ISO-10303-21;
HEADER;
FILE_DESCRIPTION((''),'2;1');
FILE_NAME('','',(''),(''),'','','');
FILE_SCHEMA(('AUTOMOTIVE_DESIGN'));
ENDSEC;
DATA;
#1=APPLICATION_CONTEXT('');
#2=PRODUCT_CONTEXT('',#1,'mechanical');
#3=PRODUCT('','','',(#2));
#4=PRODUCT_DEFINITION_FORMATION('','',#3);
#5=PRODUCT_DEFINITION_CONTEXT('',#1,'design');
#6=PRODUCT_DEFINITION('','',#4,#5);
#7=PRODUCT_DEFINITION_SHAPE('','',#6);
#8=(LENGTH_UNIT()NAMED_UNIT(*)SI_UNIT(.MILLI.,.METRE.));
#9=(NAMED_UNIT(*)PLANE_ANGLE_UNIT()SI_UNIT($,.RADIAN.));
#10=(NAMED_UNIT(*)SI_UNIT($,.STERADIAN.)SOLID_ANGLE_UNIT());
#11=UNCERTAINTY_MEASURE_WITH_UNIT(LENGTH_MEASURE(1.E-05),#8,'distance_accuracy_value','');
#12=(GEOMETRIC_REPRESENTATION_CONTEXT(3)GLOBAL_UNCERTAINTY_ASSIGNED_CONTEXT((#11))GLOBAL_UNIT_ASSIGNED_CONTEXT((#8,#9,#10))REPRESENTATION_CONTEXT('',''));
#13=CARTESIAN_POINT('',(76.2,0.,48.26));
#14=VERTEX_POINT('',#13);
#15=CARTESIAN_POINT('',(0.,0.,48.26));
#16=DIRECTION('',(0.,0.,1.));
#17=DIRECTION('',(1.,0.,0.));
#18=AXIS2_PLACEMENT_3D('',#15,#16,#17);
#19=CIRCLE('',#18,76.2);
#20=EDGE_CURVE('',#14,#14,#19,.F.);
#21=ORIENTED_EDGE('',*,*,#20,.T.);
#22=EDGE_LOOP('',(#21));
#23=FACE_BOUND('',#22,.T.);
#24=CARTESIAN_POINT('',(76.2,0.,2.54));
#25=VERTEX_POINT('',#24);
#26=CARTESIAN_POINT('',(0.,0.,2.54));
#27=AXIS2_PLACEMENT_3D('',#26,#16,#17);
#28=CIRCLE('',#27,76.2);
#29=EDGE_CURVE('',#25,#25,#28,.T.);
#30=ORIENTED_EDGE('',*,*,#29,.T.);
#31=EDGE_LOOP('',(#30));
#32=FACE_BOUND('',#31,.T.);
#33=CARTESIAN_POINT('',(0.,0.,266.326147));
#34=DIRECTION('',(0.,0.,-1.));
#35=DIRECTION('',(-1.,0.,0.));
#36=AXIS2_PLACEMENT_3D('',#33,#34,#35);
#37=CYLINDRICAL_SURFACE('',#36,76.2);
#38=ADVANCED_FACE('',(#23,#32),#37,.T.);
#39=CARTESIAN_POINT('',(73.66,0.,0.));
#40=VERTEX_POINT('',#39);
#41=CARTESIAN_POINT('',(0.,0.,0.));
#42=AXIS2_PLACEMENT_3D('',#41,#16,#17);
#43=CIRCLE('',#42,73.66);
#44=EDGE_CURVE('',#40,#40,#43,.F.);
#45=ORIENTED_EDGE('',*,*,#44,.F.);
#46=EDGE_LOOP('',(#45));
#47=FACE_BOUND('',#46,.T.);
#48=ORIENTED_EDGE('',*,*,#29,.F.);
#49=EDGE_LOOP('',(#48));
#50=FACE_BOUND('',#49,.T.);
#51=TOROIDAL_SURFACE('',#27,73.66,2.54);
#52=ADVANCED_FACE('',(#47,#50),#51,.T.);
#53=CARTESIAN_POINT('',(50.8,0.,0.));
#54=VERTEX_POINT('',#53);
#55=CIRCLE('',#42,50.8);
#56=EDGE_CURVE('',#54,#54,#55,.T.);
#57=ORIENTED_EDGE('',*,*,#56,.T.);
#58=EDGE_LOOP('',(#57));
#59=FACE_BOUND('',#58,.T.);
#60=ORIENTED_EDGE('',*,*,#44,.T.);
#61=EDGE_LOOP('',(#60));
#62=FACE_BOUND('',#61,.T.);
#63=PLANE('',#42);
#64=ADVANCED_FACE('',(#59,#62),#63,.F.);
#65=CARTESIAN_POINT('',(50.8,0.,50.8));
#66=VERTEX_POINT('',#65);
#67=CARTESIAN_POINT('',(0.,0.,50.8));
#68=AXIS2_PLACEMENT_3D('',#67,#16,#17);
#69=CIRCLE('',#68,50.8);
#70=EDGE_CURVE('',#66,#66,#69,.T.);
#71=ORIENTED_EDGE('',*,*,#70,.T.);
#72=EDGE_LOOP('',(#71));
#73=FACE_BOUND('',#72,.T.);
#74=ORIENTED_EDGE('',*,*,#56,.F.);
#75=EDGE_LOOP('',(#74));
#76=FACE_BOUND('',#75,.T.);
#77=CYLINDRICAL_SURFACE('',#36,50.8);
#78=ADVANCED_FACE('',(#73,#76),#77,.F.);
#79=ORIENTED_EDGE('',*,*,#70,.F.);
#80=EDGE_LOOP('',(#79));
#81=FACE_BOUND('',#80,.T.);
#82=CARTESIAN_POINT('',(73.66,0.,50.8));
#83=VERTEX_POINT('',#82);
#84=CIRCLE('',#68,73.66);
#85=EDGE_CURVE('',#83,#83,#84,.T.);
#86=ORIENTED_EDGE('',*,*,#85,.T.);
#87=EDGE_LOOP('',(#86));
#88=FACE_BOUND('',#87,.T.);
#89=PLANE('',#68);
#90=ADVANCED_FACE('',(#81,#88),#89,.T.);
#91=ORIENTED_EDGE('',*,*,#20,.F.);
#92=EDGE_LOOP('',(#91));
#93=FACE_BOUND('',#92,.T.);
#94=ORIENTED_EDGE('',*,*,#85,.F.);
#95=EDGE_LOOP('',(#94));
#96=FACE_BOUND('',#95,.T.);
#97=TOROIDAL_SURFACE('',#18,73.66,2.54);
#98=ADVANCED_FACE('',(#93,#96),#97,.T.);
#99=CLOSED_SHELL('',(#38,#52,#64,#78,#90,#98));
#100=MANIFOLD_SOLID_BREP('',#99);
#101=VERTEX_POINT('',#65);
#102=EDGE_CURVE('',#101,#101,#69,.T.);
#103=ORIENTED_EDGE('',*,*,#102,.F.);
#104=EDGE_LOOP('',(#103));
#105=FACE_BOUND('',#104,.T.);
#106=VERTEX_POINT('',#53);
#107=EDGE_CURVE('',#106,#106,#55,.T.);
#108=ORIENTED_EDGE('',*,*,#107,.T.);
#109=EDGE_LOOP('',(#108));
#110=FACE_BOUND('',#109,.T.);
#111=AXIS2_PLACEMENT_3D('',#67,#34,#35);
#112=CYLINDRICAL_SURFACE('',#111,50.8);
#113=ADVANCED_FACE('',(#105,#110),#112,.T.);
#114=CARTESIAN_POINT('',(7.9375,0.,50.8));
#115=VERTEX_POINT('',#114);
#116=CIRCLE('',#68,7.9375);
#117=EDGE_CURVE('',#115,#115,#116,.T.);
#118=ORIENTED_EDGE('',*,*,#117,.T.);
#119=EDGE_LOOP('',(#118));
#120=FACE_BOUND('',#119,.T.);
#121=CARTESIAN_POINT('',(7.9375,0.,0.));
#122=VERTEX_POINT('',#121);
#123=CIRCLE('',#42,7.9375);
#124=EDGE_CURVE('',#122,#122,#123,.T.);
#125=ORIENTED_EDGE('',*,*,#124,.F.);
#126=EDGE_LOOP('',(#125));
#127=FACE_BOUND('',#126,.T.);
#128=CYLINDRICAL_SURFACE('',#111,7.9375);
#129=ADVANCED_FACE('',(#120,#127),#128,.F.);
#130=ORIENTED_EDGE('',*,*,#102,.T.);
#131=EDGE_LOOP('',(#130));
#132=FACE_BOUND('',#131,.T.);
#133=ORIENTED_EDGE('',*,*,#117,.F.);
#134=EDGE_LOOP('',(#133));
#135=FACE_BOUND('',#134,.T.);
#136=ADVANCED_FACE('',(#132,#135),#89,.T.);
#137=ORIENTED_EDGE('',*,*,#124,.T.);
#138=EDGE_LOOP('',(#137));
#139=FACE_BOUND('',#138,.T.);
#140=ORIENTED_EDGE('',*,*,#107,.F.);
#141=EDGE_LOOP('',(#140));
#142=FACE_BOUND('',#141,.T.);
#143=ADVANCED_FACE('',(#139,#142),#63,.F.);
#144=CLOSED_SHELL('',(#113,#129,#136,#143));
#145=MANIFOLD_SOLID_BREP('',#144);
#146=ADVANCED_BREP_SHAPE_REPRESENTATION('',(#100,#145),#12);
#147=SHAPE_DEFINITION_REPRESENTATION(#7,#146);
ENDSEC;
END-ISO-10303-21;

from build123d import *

# Parameters (mm, degrees)
SKETCH1_R           = 50.8
BOSS_EXTRUDE1_DEPTH = 50.8
SKETCH2_R           = 7.9375
CUT_EXTRUDE1_DEPTH  = 88.988181024
SKETCH3_R           = 76.2
SKETCH3_R_2         = 50.8
BOSS_EXTRUDE2_DEPTH = 50.8
FILLET1_R           = 2.54


with BuildPart() as part:
    # Sketch1 → Boss-Extrude1 (new body)
    with BuildSketch(Plane.XY):
        Circle(SKETCH1_R)
    extrude(amount=BOSS_EXTRUDE1_DEPTH)

    # Sketch2 → Cut-Extrude1 (cut, through all)
    with BuildSketch(Plane.XY):
        Circle(SKETCH2_R)
    extrude(amount=CUT_EXTRUDE1_DEPTH, mode=Mode.SUBTRACT)


with BuildPart() as body_2:
    # Sketch3 → Boss-Extrude2 (new body)
    with BuildSketch(Plane.XY):
        Circle(SKETCH3_R)
        Circle(SKETCH3_R_2, mode=Mode.SUBTRACT)
    extrude(amount=BOSS_EXTRUDE2_DEPTH)

    # Fillet1
    fillet1_edges = [body_2.edges().sort_by_distance(p)[0] for p in [
        (-76.2, 0, 50.8),
        (-76.2, 0, 0),
    ]]
    fillet(fillet1_edges, radius=FILLET1_R)


solid = Compound([part.part, body_2.part])
